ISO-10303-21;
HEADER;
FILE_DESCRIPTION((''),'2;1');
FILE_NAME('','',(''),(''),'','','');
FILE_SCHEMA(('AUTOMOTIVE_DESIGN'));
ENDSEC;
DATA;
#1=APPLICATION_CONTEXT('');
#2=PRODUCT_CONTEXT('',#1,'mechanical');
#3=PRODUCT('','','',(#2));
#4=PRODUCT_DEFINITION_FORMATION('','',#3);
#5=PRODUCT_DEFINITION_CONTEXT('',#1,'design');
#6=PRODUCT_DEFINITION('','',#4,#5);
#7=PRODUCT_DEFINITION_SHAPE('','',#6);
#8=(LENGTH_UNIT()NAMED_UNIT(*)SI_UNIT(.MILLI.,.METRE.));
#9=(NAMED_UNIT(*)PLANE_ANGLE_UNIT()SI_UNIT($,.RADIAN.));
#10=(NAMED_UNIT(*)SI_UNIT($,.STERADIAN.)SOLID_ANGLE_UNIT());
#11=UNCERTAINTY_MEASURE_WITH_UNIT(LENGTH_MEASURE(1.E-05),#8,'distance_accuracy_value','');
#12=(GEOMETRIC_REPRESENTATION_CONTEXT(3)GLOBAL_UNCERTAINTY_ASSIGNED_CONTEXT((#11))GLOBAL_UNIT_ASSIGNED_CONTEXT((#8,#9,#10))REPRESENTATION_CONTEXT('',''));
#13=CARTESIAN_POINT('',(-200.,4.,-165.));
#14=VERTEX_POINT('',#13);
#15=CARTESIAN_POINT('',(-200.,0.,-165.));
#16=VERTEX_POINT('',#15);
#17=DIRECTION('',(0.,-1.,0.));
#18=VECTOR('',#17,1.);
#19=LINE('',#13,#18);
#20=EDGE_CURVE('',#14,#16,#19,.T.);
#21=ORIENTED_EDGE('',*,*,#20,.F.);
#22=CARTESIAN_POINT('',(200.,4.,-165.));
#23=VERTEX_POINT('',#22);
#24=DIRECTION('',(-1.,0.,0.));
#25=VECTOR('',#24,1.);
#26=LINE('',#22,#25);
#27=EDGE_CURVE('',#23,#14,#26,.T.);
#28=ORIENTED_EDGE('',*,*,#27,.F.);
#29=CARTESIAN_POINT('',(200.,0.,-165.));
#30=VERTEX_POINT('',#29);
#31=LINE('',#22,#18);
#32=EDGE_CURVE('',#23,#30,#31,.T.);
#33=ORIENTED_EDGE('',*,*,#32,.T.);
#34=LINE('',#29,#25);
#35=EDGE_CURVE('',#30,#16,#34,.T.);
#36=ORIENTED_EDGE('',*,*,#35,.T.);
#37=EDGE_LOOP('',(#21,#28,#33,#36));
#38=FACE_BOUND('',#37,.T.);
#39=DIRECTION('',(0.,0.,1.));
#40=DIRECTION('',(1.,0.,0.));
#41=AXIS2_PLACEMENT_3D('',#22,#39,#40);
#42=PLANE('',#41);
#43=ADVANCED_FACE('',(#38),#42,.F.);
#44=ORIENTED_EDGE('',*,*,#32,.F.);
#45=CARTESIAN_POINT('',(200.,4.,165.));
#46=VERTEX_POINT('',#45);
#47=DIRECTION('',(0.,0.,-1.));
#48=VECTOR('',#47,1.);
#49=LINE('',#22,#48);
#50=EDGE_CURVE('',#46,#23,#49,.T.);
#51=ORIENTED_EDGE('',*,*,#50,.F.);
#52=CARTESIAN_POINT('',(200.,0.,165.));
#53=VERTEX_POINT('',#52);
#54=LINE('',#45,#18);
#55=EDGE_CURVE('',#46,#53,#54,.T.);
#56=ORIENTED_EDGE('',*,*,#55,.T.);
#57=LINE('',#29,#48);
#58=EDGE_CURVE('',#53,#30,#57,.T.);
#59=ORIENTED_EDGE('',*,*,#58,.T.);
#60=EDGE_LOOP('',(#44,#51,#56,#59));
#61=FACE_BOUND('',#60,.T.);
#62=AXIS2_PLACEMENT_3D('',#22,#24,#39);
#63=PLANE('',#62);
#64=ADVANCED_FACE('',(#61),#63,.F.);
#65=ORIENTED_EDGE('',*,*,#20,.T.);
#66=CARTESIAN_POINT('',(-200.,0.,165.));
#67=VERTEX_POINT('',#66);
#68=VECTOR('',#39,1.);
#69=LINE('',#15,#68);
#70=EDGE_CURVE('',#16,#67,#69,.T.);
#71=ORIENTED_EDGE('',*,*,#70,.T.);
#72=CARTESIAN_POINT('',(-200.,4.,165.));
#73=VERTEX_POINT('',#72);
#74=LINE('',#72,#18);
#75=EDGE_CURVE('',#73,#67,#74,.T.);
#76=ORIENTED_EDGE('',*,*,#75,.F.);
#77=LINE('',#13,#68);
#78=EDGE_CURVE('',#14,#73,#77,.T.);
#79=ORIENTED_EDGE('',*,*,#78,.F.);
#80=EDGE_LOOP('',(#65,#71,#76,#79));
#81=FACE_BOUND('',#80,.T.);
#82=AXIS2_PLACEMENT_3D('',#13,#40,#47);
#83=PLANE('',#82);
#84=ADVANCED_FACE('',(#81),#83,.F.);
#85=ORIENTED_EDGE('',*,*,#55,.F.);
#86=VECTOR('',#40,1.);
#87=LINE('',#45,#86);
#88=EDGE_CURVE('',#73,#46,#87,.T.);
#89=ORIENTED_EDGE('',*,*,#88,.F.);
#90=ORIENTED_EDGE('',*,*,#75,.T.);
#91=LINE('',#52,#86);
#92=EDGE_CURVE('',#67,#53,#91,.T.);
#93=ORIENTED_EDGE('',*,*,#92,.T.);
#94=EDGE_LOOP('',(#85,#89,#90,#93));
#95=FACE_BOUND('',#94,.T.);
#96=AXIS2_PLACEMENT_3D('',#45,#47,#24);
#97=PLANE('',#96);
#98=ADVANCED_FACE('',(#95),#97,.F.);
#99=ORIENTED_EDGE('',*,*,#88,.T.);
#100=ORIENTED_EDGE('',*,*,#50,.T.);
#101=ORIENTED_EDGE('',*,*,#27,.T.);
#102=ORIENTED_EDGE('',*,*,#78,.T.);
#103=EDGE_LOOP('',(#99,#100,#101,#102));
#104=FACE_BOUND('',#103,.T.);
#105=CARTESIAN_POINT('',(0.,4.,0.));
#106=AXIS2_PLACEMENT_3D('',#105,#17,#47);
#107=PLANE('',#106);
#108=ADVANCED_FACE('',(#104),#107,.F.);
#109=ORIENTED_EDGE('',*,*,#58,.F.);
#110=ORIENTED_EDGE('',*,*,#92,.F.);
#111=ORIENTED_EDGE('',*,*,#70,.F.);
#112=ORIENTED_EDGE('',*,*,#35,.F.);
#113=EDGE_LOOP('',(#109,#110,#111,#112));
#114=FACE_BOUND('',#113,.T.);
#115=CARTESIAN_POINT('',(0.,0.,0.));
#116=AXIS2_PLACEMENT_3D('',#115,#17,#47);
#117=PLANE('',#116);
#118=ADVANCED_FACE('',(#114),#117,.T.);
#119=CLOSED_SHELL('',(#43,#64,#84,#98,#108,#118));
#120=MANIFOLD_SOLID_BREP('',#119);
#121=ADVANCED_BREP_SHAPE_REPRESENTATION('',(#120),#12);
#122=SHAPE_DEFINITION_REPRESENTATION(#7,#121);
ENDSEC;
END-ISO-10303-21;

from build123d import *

# Parameters (mm, degrees)
IZIM1_W                     = 400
IZIM1_H                     = 330
Y_KSEKLIK_EKSTR_ZYON1_DEPTH = 4


with BuildPart() as part:
    # Çizim1 → Yükseklik-Ekstrüzyon1 (new body)
    with BuildSketch(Plane(origin=(0, 0, 0), x_dir=(1, 0, 0), z_dir=(0, 1, 0))):
        Rectangle(IZIM1_W, IZIM1_H)
    extrude(amount=Y_KSEKLIK_EKSTR_ZYON1_DEPTH)


solid = part.part
